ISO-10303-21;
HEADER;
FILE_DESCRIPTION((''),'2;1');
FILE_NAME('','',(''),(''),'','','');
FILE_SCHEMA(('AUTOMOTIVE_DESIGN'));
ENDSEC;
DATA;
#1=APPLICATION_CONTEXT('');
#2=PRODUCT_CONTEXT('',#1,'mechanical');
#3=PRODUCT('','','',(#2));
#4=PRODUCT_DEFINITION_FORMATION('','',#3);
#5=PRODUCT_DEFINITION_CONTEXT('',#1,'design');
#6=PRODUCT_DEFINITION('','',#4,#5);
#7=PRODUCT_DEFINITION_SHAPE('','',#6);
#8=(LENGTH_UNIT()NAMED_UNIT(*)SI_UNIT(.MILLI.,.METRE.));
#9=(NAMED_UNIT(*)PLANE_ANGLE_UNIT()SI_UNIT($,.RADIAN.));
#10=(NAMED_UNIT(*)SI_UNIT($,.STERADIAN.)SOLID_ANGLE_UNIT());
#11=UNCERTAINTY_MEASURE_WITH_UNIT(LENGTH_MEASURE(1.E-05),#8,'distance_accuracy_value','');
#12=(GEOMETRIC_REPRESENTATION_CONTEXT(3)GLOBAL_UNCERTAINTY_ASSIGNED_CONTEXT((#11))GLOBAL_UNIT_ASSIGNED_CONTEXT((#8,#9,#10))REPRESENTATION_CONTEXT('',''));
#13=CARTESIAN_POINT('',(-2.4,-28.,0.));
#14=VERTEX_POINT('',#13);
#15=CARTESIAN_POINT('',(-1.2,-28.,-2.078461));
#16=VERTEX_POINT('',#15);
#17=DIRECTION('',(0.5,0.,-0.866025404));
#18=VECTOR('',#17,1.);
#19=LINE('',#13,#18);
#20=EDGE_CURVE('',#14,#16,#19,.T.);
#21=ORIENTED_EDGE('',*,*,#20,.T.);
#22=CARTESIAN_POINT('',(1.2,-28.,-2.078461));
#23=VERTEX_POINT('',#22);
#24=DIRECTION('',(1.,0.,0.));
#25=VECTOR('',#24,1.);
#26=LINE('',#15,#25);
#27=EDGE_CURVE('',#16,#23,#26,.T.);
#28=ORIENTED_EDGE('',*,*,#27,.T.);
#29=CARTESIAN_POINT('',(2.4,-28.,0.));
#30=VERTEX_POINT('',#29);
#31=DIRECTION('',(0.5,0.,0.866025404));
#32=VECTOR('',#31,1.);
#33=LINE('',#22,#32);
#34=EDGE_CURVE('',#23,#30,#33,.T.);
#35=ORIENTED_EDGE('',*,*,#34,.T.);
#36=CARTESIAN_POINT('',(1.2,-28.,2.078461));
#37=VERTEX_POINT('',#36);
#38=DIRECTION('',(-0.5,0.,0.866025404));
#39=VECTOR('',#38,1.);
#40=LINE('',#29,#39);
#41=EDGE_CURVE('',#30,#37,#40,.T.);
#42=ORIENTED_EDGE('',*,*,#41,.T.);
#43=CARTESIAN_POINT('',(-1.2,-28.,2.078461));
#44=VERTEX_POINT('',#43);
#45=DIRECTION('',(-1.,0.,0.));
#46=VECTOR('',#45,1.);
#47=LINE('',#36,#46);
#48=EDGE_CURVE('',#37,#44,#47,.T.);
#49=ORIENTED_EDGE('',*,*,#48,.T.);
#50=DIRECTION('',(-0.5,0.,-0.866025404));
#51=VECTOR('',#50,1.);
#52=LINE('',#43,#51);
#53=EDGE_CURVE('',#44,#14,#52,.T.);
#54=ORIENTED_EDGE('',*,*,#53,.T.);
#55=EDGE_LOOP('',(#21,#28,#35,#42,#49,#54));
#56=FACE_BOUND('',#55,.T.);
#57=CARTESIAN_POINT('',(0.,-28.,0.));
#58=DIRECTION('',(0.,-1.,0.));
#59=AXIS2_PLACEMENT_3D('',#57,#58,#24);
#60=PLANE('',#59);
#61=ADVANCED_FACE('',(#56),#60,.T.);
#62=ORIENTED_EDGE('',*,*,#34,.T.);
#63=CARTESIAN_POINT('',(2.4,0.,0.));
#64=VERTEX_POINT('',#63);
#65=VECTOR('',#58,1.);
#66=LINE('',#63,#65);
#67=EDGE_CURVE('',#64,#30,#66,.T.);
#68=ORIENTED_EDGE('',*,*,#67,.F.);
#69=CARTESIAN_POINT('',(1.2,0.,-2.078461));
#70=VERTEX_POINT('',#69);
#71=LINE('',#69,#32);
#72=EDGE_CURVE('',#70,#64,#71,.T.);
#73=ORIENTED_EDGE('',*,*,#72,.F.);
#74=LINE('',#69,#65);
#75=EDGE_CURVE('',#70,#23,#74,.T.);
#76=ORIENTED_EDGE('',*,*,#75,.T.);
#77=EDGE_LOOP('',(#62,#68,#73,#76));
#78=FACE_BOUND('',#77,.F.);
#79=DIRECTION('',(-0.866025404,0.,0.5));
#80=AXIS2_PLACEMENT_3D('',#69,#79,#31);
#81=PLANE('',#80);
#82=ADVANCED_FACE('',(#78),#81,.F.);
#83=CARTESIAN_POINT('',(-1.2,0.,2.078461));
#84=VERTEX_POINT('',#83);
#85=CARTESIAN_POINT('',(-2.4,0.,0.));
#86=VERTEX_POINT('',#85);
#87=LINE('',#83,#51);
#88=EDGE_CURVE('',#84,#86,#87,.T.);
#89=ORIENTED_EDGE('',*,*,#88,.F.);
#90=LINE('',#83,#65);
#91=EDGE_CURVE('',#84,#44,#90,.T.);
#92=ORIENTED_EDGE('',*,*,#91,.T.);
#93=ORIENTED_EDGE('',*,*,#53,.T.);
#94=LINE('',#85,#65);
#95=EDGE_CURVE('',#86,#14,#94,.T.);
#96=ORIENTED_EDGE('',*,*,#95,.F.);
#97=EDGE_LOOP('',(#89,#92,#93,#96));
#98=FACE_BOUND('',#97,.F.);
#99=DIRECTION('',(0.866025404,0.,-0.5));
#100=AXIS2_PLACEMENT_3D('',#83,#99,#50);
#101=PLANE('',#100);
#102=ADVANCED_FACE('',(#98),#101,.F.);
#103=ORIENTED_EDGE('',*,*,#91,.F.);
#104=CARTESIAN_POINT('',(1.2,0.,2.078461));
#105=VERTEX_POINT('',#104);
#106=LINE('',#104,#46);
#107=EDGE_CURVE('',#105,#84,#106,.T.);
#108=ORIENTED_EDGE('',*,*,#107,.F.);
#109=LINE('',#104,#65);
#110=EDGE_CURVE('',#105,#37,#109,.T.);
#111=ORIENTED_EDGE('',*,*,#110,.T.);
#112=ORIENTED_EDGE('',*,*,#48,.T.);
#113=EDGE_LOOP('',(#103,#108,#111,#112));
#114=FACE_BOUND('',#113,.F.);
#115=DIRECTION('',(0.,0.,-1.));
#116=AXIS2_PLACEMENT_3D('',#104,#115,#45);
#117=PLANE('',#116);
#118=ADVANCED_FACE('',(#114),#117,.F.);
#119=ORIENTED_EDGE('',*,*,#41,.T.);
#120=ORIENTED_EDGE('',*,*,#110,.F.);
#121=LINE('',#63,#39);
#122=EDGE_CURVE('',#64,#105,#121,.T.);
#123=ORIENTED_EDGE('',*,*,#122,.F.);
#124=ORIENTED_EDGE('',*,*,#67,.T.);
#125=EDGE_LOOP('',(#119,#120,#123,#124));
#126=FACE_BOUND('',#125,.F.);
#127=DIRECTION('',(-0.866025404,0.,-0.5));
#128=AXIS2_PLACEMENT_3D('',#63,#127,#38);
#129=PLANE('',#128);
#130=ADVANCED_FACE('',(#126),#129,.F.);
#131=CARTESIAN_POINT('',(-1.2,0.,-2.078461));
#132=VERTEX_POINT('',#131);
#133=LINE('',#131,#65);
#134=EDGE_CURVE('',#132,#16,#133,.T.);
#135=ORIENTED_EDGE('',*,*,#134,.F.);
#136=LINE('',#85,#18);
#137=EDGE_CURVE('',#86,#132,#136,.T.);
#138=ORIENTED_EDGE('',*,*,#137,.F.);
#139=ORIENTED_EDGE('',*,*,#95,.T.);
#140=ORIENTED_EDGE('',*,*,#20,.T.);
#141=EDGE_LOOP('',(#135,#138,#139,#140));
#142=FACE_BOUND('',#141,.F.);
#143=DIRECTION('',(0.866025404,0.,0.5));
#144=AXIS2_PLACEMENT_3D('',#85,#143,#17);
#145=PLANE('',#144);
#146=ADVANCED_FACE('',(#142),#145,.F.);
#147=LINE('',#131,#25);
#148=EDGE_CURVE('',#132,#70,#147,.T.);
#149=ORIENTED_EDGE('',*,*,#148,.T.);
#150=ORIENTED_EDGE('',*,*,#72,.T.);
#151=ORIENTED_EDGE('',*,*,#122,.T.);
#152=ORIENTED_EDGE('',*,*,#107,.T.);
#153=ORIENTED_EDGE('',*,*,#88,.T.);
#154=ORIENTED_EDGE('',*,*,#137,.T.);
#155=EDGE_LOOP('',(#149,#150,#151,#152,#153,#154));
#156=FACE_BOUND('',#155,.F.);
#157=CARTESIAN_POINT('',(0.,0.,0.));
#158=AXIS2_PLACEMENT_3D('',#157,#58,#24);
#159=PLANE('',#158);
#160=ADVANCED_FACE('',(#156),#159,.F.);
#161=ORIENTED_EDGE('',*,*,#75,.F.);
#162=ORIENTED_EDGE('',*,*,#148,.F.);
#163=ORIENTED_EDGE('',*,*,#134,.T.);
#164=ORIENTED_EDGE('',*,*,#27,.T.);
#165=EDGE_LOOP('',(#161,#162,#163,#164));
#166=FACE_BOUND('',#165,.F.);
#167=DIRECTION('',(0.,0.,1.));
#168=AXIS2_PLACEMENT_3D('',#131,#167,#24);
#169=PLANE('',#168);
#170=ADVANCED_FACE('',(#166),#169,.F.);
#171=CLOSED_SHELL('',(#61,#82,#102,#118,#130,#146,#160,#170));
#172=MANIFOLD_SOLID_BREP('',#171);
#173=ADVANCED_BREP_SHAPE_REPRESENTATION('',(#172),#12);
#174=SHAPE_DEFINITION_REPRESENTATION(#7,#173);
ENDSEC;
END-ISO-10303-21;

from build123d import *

# Parameters (mm, degrees)
F1_DEPTH = 28
F4_DEPTH = 28


with BuildPart() as f1:
    # F0 (on Front) → F1 (new body)
    with BuildSketch(Plane.XZ):
        Polygon((6.646589714, 11.5122310817), (-6.646589714, 11.5122310817), (-13.293179428, 0), (-6.646589714, -11.5122310817), (6.646589714, -11.5122310817), (13.293179428, 0), align=None)
    extrude(amount=F1_DEPTH)


with BuildPart() as f4:
    # F3 (on Front) → F4 (new body)
    with BuildSketch(Plane.XZ):
        Polygon((1.2, 2.0784609691), (-1.2, 2.0784609691), (-2.4, 0), (-1.2, -2.0784609691), (1.2, -2.0784609691), (2.4, 0), align=None)
    extrude(amount=F4_DEPTH)


solid = f4.part
